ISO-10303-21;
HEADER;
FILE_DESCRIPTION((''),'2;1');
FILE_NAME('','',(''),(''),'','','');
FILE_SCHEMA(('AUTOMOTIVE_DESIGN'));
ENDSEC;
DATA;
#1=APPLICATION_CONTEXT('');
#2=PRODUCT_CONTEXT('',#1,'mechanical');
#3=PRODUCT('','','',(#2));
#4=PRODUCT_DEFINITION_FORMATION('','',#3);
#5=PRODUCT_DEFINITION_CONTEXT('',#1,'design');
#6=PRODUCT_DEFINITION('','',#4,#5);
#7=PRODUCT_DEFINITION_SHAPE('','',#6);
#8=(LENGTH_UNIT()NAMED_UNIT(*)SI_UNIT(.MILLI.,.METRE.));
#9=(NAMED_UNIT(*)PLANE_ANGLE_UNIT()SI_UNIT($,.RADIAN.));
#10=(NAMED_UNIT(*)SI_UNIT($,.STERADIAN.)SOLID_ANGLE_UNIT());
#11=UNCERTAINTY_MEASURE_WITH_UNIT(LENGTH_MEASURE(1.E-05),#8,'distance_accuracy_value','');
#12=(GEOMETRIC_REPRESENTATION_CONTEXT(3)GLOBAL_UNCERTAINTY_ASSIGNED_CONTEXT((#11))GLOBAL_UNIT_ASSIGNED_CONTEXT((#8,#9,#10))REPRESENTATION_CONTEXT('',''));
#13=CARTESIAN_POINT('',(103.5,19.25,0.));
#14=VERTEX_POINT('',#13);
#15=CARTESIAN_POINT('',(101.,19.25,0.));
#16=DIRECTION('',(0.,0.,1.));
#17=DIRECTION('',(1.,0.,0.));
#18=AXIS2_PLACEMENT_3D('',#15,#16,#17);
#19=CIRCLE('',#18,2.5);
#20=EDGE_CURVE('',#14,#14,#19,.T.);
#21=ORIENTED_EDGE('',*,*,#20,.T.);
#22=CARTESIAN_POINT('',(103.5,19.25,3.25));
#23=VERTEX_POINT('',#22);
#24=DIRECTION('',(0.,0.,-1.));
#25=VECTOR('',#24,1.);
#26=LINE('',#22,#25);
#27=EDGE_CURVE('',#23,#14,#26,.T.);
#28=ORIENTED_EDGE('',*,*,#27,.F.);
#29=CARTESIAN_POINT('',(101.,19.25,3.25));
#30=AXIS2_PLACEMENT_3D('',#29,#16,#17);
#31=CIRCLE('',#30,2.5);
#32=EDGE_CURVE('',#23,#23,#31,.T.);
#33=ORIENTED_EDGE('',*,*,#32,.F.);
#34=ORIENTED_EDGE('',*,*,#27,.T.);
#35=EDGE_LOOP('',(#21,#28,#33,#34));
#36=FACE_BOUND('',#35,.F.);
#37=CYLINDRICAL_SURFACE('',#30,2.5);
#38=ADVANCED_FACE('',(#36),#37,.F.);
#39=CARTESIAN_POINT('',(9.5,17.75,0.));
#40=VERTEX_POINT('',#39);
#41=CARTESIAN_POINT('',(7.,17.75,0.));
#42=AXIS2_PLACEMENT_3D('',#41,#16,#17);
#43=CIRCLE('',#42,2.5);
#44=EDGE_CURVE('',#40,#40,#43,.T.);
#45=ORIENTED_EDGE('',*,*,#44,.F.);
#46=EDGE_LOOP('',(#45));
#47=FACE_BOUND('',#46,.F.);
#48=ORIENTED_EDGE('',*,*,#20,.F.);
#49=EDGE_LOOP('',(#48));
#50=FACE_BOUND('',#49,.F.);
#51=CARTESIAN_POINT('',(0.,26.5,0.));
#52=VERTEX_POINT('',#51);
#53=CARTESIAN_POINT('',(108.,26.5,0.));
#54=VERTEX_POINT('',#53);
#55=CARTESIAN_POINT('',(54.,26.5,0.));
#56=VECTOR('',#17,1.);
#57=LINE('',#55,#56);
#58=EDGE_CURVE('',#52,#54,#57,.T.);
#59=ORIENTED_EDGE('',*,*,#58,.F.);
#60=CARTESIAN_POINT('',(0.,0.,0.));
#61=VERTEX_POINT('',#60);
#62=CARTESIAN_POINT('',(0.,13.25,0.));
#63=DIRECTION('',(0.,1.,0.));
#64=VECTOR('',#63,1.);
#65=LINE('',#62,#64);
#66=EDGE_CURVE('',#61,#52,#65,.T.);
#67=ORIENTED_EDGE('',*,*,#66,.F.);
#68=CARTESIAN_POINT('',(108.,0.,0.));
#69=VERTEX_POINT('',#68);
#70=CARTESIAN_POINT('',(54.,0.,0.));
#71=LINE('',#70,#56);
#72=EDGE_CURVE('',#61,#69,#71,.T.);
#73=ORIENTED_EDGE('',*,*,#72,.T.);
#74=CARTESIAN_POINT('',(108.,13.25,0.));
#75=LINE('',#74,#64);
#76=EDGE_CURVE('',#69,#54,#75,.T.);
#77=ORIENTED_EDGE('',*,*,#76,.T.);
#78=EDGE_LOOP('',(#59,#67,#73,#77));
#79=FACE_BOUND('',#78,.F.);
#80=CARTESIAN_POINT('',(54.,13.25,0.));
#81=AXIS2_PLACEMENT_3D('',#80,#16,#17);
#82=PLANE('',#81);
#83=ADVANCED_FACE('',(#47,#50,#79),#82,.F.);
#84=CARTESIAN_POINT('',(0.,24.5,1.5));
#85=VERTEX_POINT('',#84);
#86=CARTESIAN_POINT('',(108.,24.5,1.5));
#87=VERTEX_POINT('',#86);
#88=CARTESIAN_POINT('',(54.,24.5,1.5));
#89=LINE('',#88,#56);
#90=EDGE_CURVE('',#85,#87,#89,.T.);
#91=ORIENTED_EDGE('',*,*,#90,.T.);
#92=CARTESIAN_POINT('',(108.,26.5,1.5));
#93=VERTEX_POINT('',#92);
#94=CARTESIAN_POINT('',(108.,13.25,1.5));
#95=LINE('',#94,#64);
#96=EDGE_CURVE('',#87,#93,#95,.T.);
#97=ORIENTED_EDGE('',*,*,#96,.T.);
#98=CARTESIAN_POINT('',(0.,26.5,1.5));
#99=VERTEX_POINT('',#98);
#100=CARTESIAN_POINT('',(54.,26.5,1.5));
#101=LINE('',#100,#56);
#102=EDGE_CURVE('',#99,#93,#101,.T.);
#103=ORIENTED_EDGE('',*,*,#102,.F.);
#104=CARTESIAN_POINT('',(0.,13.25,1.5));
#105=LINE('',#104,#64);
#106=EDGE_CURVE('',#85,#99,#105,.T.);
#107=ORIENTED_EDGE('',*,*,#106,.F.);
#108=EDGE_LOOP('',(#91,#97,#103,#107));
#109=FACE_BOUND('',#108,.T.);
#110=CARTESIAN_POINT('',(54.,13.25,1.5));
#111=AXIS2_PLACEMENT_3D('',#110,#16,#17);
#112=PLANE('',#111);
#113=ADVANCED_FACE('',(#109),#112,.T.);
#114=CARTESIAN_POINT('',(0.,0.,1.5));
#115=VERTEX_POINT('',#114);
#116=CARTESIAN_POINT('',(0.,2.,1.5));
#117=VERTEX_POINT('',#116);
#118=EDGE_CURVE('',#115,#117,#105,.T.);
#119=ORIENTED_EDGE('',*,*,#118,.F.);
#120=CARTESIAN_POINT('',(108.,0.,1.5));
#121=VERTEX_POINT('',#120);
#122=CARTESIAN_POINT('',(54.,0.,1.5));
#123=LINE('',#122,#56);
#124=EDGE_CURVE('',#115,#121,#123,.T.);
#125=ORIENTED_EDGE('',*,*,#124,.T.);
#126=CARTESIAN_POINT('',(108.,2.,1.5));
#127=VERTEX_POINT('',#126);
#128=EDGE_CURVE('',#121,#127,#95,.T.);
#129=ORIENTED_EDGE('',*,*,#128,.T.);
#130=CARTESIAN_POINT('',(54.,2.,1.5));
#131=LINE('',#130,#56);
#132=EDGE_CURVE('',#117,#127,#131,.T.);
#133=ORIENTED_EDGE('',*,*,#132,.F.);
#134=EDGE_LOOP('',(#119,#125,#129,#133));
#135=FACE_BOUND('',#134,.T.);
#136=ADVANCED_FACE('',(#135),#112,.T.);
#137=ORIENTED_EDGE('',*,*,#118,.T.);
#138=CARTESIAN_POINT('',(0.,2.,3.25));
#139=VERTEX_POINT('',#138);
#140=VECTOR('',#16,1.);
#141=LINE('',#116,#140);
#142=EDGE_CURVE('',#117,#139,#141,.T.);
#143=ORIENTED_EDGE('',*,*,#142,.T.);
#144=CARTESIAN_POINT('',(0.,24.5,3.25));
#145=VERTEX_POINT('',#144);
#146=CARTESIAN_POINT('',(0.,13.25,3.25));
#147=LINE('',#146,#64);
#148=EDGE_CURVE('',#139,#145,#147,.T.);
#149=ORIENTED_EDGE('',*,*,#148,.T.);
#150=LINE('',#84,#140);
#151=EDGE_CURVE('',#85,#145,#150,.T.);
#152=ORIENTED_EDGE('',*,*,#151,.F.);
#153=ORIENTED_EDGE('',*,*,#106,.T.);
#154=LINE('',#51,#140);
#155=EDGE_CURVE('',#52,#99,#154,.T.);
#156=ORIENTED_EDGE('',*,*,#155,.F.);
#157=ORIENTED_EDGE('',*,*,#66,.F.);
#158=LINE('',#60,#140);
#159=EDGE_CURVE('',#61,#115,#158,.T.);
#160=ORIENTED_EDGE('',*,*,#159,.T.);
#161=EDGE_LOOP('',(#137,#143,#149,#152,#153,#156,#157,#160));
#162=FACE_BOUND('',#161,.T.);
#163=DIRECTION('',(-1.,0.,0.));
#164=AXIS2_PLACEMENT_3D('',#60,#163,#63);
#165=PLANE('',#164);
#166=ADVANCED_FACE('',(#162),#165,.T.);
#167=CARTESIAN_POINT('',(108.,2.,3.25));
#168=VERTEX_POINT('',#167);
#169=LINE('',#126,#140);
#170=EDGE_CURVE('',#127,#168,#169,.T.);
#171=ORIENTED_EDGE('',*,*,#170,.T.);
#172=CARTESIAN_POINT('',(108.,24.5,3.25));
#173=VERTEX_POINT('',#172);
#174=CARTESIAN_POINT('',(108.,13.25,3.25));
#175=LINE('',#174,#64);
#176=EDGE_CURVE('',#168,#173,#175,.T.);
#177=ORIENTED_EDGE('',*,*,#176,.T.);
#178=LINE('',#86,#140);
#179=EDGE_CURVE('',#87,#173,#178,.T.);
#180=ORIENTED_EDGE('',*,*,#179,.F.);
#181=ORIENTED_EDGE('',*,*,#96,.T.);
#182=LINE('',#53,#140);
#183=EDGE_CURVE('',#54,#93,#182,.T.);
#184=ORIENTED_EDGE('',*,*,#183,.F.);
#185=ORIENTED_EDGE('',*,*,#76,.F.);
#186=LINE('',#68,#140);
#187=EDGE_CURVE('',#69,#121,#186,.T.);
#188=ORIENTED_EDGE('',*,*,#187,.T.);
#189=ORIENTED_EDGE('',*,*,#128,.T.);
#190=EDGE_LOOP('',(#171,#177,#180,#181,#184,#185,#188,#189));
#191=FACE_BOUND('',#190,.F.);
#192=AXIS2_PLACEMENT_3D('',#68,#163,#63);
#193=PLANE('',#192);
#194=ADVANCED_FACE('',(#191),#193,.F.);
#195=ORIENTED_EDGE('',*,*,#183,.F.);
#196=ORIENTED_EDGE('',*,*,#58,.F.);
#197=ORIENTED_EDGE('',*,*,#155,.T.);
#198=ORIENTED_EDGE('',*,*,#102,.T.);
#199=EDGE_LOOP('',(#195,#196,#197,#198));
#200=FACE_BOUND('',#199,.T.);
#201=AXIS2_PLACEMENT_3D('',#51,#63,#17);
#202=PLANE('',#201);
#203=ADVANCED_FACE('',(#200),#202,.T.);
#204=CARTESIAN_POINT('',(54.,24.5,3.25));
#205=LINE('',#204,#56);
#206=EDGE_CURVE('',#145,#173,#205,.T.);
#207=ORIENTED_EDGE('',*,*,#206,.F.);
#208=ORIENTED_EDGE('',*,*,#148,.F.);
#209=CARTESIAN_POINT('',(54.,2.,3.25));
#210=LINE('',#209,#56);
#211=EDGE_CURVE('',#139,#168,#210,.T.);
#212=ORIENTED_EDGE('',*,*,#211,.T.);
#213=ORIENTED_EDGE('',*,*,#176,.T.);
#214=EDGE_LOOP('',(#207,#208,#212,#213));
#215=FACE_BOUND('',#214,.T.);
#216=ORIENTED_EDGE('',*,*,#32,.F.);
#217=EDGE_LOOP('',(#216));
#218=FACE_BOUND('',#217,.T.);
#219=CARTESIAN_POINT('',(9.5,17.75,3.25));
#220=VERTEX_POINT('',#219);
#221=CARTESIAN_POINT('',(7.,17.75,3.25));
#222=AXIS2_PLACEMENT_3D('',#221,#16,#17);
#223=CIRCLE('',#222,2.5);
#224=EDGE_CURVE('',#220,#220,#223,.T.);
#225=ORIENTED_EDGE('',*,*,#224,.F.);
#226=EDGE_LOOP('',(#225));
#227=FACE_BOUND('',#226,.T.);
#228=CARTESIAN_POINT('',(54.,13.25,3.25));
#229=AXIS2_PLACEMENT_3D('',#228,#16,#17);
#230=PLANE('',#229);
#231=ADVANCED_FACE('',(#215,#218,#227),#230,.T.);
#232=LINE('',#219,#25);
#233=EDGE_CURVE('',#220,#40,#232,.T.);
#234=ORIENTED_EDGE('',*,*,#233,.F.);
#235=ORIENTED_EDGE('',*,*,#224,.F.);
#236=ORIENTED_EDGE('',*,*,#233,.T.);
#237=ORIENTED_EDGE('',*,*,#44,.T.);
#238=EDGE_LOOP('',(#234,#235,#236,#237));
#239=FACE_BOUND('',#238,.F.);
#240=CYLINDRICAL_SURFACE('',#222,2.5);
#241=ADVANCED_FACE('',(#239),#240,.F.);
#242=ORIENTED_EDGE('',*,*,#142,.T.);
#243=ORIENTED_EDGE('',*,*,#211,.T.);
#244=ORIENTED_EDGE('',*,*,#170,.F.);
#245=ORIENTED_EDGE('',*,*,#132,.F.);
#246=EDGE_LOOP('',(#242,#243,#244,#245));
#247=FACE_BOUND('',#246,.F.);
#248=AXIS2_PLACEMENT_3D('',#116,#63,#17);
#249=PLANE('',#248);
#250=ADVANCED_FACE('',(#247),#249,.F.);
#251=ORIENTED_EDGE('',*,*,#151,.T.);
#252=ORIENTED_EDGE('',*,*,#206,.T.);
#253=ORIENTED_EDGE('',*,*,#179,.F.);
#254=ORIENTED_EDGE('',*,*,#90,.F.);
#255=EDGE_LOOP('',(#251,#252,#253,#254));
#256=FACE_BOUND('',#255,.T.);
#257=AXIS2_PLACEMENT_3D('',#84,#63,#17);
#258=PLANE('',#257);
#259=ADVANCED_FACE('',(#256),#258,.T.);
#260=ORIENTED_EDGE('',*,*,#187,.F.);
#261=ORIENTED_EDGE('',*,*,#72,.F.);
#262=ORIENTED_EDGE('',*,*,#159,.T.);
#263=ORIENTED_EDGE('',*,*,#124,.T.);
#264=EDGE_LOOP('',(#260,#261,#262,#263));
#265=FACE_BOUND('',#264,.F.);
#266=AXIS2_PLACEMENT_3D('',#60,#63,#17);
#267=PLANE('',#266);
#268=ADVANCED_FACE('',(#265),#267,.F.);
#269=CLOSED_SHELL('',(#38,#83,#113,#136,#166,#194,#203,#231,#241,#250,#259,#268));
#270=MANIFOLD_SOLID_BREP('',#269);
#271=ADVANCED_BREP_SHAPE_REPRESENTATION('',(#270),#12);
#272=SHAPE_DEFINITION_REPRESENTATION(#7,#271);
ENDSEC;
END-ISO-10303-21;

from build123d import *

# Parameters (mm, degrees)
SKETCH_W     = 108
SKETCH_H     = 26.5
PAD_DEPTH    = 1.5
SKETCH001_W  = 108
SKETCH001_H  = 22.5
PAD001_DEPTH = 1.75
SKETCH002_R  = 2.5
POCKET_DEPTH = 3.251


with BuildPart() as part:
    # Sketch → Pad (new body)
    with BuildSketch(Plane.XY):
        with Locations((54, 13.25)):
            Rectangle(SKETCH_W, SKETCH_H)
    extrude(amount=PAD_DEPTH)

    # Sketch001 (on Face6 of Pad) → Pad001 (join)
    with BuildSketch(Plane.XY.offset(1.5)):
        with Locations((54, 13.25)):
            Rectangle(SKETCH001_W, SKETCH001_H)
    extrude(amount=PAD001_DEPTH)

    # Sketch002 (on Face12 of Pad001) → Pocket (cut, through all)
    with BuildSketch(Plane.XY.offset(3.25)):
        with Locations((101, 19.25)):
            Circle(SKETCH002_R)
        with Locations((7, 17.75)):
            Circle(SKETCH002_R)
    extrude(amount=-POCKET_DEPTH, mode=Mode.SUBTRACT)


solid = part.part
